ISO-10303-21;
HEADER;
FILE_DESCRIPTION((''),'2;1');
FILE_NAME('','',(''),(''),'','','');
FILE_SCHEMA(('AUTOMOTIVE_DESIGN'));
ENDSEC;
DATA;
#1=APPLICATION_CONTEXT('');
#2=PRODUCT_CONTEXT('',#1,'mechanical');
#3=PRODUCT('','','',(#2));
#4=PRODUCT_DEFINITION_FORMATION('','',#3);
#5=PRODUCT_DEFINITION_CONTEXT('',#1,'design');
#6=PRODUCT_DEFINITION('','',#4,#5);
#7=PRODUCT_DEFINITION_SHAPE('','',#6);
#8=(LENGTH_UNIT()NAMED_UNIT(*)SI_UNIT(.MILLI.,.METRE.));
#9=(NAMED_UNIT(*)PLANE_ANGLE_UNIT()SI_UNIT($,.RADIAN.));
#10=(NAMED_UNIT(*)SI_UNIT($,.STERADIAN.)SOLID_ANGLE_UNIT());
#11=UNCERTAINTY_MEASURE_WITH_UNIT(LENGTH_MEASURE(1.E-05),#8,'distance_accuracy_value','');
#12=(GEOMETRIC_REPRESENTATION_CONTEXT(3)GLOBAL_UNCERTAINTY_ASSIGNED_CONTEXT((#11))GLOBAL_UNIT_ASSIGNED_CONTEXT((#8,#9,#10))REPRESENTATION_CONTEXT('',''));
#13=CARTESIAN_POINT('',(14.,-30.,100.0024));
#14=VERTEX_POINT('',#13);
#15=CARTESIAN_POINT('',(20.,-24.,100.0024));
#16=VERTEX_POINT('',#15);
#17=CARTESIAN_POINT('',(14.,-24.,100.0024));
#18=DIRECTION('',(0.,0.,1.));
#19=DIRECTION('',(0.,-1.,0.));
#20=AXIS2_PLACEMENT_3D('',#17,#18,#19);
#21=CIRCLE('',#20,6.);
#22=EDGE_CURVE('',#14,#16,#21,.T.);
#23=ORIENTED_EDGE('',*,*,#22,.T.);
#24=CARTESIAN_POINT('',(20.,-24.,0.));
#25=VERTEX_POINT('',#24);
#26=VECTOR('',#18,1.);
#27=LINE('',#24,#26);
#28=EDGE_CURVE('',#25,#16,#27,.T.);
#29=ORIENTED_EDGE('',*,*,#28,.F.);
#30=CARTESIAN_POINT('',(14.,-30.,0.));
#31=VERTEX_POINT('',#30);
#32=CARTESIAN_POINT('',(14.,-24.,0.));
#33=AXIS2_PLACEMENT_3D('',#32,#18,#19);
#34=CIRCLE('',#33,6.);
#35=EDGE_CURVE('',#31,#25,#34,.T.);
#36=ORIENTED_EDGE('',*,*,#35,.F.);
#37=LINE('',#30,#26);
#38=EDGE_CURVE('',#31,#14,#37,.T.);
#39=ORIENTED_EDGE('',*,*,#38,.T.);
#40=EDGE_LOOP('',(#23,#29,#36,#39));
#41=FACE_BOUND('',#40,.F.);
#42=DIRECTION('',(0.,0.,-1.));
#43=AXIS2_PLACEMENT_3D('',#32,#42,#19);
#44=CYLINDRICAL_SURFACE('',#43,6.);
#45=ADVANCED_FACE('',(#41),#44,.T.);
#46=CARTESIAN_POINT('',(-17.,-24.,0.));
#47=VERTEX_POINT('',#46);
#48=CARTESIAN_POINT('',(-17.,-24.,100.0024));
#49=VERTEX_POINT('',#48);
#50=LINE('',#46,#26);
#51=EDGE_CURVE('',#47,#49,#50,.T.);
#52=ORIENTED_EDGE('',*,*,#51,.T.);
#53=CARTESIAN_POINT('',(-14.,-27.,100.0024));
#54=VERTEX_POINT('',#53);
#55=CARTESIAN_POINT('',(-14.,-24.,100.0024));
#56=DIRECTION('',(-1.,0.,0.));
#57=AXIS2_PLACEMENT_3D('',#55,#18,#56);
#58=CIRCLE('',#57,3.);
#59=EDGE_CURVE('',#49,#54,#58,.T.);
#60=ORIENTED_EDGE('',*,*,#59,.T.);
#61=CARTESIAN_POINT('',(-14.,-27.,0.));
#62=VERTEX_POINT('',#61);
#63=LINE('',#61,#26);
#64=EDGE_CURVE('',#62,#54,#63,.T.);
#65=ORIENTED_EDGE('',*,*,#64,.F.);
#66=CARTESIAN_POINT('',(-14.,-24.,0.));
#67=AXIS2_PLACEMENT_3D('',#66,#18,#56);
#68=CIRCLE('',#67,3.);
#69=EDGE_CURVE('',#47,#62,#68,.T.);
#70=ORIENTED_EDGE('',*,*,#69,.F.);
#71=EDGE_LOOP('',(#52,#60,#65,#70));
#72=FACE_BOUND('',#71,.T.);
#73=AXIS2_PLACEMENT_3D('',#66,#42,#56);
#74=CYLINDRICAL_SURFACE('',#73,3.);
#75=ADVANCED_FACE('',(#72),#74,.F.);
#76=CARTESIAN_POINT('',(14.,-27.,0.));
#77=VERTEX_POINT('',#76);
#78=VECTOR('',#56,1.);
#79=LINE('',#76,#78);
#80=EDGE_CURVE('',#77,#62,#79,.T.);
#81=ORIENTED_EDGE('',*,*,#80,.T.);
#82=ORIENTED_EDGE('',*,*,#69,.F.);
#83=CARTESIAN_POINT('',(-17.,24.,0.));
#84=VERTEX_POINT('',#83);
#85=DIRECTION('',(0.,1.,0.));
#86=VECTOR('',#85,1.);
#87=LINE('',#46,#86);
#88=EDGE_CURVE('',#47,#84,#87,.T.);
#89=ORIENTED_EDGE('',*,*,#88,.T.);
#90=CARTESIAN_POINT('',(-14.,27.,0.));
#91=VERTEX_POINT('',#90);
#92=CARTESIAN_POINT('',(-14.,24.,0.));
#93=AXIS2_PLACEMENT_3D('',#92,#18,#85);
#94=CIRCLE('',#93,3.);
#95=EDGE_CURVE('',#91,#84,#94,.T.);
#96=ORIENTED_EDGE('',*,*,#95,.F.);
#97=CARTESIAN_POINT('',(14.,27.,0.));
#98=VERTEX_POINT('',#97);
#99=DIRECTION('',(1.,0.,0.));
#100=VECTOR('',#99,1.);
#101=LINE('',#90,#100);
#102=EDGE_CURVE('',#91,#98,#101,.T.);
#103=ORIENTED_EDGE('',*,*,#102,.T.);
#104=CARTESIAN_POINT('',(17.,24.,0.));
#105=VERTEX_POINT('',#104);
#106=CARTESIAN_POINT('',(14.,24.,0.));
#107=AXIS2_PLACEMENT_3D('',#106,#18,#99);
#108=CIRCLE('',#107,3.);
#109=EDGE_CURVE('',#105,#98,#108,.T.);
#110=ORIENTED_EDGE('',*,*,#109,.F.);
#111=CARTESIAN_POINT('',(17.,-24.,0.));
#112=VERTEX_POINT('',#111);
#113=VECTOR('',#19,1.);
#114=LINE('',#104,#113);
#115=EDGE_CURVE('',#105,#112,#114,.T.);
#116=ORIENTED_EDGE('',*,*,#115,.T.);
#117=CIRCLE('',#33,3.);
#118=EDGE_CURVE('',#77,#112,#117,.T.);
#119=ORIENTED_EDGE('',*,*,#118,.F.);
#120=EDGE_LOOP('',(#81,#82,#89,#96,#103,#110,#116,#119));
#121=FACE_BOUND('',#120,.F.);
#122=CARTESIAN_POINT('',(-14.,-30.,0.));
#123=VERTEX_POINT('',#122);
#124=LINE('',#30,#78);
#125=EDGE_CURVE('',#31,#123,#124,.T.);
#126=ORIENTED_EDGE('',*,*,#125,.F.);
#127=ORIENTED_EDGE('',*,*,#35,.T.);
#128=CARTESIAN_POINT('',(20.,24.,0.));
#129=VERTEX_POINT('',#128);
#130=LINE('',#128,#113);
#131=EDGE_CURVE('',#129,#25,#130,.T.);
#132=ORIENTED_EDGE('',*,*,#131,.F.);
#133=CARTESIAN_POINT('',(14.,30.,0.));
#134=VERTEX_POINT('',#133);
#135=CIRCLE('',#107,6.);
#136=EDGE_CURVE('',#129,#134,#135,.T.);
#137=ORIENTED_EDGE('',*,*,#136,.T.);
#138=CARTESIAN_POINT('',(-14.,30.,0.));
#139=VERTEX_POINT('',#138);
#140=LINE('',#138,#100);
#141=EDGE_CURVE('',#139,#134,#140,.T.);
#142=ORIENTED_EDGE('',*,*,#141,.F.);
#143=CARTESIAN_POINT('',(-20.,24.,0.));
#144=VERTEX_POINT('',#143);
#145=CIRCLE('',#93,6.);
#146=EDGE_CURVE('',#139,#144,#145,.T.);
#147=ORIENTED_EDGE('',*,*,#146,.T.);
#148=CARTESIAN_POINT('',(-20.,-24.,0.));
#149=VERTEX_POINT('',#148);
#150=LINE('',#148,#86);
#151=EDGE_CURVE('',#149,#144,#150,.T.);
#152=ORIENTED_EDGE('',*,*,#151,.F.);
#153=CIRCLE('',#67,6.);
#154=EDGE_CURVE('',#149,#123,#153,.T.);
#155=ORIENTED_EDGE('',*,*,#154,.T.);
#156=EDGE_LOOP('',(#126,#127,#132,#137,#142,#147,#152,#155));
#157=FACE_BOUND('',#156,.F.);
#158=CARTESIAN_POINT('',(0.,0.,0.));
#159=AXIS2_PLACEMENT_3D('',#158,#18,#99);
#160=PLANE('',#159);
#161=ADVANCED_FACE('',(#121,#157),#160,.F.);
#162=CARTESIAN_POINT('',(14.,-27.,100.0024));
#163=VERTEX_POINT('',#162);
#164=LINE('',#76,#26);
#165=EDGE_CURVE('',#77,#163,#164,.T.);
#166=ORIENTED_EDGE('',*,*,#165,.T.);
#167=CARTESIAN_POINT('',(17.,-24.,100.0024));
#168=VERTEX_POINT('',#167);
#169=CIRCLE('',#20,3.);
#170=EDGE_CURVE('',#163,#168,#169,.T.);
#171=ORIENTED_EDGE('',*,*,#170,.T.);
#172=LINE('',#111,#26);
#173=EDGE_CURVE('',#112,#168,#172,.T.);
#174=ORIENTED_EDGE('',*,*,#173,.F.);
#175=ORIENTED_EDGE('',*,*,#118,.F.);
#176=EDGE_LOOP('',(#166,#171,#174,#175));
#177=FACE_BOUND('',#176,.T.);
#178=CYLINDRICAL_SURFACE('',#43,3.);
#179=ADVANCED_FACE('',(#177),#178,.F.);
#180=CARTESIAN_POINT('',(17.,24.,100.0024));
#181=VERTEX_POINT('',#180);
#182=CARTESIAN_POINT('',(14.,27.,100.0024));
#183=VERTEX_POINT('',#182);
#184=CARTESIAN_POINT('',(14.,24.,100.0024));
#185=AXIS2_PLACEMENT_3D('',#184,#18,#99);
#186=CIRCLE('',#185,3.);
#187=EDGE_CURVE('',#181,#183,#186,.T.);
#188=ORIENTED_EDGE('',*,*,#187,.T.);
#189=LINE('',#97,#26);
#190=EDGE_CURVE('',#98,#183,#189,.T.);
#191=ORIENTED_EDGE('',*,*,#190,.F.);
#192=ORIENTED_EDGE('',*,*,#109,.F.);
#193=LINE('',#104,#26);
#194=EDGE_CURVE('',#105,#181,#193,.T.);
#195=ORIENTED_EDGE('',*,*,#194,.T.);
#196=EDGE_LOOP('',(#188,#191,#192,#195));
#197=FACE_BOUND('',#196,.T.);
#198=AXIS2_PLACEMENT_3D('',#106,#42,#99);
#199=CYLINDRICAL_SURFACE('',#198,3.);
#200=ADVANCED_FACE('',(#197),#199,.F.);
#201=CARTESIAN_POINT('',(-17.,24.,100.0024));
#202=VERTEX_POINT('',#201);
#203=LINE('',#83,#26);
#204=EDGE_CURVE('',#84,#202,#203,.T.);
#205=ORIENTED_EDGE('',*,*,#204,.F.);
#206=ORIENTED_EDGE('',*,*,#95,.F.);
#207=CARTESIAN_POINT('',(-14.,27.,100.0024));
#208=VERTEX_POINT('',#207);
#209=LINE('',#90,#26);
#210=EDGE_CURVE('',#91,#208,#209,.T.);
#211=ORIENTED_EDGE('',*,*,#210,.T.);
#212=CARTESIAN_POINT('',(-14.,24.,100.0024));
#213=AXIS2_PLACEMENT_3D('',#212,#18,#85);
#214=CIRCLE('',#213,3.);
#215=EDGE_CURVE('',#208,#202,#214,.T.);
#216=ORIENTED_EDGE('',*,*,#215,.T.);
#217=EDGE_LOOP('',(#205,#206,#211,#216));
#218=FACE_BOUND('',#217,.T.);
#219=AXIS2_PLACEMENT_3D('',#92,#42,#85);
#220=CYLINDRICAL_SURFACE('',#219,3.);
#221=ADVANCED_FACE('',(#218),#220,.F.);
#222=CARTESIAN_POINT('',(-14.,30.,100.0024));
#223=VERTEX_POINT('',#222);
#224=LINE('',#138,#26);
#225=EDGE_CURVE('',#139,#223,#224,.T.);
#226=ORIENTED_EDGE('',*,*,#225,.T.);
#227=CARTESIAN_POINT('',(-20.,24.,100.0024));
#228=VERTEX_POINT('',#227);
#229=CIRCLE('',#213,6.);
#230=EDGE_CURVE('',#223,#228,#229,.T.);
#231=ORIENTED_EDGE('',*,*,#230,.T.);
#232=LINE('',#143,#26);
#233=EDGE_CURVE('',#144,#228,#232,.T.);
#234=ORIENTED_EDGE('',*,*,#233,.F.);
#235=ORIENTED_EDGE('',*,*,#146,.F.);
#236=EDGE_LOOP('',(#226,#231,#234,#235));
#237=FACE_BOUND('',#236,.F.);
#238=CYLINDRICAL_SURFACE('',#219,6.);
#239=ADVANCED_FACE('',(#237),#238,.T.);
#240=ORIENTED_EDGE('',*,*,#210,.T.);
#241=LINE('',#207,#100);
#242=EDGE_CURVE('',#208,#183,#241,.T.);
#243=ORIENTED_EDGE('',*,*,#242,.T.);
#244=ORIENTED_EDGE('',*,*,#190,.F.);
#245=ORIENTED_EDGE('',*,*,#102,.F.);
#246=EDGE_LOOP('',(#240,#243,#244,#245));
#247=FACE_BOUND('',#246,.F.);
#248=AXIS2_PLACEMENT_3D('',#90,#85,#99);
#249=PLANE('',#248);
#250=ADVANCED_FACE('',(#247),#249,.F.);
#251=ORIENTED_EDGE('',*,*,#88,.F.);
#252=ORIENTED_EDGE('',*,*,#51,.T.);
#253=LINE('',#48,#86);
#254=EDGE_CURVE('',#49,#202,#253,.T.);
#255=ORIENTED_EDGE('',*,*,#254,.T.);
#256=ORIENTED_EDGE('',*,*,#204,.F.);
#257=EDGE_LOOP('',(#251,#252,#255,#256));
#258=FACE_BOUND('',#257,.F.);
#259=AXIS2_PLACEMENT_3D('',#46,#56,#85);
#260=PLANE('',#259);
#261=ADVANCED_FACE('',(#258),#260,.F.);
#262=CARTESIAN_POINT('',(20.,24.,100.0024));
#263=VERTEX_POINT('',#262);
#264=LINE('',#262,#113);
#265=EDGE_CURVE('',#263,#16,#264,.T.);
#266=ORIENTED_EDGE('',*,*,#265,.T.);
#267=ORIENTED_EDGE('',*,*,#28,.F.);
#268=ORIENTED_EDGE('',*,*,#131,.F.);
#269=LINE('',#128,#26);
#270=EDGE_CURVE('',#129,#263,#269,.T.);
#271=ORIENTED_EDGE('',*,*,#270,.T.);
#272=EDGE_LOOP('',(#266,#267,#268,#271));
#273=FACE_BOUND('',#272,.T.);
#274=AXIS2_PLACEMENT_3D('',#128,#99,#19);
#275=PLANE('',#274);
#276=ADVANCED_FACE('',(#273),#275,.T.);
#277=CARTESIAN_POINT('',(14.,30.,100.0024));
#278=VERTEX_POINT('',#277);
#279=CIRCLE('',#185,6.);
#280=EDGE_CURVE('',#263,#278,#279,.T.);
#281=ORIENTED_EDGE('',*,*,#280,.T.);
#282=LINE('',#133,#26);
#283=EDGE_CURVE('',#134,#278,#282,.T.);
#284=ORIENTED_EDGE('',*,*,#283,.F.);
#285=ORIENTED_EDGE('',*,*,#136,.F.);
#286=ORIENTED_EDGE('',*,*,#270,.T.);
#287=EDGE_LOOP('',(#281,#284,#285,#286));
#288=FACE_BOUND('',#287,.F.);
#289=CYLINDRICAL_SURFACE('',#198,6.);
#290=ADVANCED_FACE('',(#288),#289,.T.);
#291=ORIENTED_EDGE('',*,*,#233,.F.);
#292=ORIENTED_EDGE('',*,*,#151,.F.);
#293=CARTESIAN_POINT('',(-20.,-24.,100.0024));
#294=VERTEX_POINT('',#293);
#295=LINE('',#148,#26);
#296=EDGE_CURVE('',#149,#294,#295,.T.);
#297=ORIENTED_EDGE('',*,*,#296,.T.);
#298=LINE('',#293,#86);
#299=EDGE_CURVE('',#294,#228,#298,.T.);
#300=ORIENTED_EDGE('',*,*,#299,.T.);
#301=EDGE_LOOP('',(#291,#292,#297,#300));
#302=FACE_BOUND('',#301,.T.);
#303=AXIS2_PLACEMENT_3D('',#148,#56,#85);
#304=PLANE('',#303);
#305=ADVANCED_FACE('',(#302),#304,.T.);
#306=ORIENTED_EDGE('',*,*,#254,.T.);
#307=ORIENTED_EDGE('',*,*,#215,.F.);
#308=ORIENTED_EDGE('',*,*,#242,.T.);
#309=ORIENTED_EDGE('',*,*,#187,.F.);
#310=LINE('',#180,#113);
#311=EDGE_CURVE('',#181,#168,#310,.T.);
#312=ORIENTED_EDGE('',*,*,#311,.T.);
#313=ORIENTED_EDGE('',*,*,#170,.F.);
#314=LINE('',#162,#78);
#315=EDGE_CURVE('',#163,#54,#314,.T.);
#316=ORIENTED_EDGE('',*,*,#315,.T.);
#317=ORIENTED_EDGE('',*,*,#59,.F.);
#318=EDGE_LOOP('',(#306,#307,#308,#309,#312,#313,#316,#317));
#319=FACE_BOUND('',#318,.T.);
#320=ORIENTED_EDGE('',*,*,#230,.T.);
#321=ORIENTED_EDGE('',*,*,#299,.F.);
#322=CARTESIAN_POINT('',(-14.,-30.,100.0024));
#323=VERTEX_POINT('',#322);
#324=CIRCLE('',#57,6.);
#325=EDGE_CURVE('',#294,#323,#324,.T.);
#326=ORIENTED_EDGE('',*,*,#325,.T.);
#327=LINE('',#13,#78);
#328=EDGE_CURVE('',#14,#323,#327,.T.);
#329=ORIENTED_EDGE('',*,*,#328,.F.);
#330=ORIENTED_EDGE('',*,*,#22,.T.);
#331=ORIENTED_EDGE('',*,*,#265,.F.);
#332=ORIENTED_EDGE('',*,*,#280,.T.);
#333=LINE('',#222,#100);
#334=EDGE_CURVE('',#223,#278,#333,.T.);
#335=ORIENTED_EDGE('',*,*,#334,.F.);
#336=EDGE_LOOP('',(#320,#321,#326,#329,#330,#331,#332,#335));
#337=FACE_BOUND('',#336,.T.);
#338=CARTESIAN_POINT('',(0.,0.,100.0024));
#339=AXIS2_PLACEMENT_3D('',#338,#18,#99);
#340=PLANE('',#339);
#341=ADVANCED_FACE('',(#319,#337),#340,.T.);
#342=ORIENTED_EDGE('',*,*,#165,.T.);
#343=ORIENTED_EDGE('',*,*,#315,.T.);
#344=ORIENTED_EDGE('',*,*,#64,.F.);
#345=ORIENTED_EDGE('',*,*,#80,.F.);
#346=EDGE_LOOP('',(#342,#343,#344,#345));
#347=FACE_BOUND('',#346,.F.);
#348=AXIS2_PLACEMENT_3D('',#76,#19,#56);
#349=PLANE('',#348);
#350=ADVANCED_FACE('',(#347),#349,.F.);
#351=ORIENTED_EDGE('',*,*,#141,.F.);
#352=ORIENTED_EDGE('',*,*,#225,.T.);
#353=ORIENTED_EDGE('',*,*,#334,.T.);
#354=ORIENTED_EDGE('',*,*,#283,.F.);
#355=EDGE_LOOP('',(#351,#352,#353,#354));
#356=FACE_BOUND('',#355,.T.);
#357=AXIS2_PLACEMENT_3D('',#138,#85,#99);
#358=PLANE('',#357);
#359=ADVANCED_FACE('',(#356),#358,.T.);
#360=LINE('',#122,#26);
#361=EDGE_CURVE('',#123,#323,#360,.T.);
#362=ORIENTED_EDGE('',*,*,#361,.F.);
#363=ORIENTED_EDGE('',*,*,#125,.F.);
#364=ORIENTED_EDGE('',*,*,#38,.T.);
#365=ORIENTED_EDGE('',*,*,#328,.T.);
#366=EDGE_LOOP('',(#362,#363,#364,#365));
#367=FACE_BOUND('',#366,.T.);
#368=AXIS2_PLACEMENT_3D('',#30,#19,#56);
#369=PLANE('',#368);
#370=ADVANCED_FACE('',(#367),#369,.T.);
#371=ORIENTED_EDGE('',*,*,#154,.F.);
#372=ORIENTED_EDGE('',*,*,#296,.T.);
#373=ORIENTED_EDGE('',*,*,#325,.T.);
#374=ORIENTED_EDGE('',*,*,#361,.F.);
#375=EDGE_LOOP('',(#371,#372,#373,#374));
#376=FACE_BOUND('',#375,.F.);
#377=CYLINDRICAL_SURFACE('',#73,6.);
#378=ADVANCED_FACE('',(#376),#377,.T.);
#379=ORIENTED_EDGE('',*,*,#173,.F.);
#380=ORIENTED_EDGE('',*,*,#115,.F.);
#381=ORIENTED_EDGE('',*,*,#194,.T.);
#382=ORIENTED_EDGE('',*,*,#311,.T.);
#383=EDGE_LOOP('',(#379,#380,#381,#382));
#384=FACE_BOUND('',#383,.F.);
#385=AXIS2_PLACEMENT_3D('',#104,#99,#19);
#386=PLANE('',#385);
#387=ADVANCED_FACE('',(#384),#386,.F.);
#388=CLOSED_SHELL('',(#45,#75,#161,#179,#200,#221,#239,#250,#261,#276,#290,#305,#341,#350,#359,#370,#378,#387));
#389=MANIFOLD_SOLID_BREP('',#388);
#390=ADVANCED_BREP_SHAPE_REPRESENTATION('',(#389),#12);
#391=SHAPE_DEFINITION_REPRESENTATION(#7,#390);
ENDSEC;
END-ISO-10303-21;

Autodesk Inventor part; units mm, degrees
ref_plane "YZ Plane" through (0, 0, 0) normal (1, 0, 0) x (0, 1, 0)
ref_plane "Start Plane" through (0, 0, 0) normal (0, 0, 1) x (1, 0, 0)
ref_plane "End Plane" through (0, 0, 100.0024) normal (0, 0, 1) x (1, 0, 0)
sketch "Sketch" plane through (0, 0, 0) normal (0, 0, 1) x (1, 0, 0)
  line L0 (-20, -24) -> (-20, 24)
  line L1 (-14, 30) -> (14, 30)
  line L2 (20, 24) -> (20, -24)
  line L3 (14, -30) -> (-14, -30)
  arc A0 (-20, -24) -> (-14, -30) centre (-14, -24) ccw
  arc A1 (20, 24) -> (14, 30) centre (14, 24) ccw
  arc A2 (-14, 30) -> (-20, 24) centre (-14, 24) ccw
  arc A3 (14, -30) -> (20, -24) centre (14, -24) ccw
  arc A4 (-14, 27) -> (-17, 24) centre (-14, 24) ccw
  line L4 (-14, 27) -> (14, 27)
  arc A5 (17, 24) -> (14, 27) centre (14, 24) ccw
  line L5 (17, 24) -> (17, -24)
  arc A6 (14, -27) -> (17, -24) centre (14, -24) ccw
  line L6 (14, -27) -> (-14, -27)
  arc A7 (-17, -24) -> (-14, -27) centre (-14, -24) ccw
  line L7 (-17, -24) -> (-17, 24)
  line L8 (0, 43.7397) -> (0, -43.7397) construction
  line L9 (-29.7397, 0) -> (29.7397, 0) construction
  dimension "d7" = 6
  dimension "d9" = 40
  dimension "d11" = 60
  dimension "d12" = 3
  dimension "d15" = 20
  dimension "d16" = 30
extrude "Body" add sketch "Sketch" along normal up to surface (100.0024 mm away) from surface at 0
sketch "Sketch3" plane through (0, 0, 0) normal (0, 0, 1) x (1, 0, 0)
  line L0 (0, 0) -> (10, 0)
ref_plane "Work Plane3" through (0, 0, 0) normal (0, -1, 0) x (1, 0, 0)
sketch "Sketch4" plane through (0, 0, 0) normal (0, -1, 0) x (1, 0, 0)
  line L0 (-2, 0) -> (12, 0)
  line L1 (-2, 100.0024) -> (12, 100.0024)
  dimension "d18" = 100.0024
equation "\"d7\" = G_IR"
equation "\"d9\" = G_W"
equation "\"d11\" = G_H"
equation "\"d12\" = G_T"
equation "\"d15\" = 0.5 * d9"
equation "\"d16\" = 0.5 * d11"
equation "\"d3\" = G_L"
equation "\"G_W\" = 40"
equation "\"G_H\" = 60"
equation "\"G_T\" = 3"
equation "\"G_IR\" = 6"
equation "\"G_L\" = d18"
equation "\"G_OFFSET_START\" = 0"
equation "\"G_OFFSET_END\" = 0"
equation "\"d14\" = G_OFFSET_END + B_L"
equation "\"B_L\" = 100.0024"
properties part number "ISO 10799-2 - 60x40x3 - 100" material "Steel, Mild"
